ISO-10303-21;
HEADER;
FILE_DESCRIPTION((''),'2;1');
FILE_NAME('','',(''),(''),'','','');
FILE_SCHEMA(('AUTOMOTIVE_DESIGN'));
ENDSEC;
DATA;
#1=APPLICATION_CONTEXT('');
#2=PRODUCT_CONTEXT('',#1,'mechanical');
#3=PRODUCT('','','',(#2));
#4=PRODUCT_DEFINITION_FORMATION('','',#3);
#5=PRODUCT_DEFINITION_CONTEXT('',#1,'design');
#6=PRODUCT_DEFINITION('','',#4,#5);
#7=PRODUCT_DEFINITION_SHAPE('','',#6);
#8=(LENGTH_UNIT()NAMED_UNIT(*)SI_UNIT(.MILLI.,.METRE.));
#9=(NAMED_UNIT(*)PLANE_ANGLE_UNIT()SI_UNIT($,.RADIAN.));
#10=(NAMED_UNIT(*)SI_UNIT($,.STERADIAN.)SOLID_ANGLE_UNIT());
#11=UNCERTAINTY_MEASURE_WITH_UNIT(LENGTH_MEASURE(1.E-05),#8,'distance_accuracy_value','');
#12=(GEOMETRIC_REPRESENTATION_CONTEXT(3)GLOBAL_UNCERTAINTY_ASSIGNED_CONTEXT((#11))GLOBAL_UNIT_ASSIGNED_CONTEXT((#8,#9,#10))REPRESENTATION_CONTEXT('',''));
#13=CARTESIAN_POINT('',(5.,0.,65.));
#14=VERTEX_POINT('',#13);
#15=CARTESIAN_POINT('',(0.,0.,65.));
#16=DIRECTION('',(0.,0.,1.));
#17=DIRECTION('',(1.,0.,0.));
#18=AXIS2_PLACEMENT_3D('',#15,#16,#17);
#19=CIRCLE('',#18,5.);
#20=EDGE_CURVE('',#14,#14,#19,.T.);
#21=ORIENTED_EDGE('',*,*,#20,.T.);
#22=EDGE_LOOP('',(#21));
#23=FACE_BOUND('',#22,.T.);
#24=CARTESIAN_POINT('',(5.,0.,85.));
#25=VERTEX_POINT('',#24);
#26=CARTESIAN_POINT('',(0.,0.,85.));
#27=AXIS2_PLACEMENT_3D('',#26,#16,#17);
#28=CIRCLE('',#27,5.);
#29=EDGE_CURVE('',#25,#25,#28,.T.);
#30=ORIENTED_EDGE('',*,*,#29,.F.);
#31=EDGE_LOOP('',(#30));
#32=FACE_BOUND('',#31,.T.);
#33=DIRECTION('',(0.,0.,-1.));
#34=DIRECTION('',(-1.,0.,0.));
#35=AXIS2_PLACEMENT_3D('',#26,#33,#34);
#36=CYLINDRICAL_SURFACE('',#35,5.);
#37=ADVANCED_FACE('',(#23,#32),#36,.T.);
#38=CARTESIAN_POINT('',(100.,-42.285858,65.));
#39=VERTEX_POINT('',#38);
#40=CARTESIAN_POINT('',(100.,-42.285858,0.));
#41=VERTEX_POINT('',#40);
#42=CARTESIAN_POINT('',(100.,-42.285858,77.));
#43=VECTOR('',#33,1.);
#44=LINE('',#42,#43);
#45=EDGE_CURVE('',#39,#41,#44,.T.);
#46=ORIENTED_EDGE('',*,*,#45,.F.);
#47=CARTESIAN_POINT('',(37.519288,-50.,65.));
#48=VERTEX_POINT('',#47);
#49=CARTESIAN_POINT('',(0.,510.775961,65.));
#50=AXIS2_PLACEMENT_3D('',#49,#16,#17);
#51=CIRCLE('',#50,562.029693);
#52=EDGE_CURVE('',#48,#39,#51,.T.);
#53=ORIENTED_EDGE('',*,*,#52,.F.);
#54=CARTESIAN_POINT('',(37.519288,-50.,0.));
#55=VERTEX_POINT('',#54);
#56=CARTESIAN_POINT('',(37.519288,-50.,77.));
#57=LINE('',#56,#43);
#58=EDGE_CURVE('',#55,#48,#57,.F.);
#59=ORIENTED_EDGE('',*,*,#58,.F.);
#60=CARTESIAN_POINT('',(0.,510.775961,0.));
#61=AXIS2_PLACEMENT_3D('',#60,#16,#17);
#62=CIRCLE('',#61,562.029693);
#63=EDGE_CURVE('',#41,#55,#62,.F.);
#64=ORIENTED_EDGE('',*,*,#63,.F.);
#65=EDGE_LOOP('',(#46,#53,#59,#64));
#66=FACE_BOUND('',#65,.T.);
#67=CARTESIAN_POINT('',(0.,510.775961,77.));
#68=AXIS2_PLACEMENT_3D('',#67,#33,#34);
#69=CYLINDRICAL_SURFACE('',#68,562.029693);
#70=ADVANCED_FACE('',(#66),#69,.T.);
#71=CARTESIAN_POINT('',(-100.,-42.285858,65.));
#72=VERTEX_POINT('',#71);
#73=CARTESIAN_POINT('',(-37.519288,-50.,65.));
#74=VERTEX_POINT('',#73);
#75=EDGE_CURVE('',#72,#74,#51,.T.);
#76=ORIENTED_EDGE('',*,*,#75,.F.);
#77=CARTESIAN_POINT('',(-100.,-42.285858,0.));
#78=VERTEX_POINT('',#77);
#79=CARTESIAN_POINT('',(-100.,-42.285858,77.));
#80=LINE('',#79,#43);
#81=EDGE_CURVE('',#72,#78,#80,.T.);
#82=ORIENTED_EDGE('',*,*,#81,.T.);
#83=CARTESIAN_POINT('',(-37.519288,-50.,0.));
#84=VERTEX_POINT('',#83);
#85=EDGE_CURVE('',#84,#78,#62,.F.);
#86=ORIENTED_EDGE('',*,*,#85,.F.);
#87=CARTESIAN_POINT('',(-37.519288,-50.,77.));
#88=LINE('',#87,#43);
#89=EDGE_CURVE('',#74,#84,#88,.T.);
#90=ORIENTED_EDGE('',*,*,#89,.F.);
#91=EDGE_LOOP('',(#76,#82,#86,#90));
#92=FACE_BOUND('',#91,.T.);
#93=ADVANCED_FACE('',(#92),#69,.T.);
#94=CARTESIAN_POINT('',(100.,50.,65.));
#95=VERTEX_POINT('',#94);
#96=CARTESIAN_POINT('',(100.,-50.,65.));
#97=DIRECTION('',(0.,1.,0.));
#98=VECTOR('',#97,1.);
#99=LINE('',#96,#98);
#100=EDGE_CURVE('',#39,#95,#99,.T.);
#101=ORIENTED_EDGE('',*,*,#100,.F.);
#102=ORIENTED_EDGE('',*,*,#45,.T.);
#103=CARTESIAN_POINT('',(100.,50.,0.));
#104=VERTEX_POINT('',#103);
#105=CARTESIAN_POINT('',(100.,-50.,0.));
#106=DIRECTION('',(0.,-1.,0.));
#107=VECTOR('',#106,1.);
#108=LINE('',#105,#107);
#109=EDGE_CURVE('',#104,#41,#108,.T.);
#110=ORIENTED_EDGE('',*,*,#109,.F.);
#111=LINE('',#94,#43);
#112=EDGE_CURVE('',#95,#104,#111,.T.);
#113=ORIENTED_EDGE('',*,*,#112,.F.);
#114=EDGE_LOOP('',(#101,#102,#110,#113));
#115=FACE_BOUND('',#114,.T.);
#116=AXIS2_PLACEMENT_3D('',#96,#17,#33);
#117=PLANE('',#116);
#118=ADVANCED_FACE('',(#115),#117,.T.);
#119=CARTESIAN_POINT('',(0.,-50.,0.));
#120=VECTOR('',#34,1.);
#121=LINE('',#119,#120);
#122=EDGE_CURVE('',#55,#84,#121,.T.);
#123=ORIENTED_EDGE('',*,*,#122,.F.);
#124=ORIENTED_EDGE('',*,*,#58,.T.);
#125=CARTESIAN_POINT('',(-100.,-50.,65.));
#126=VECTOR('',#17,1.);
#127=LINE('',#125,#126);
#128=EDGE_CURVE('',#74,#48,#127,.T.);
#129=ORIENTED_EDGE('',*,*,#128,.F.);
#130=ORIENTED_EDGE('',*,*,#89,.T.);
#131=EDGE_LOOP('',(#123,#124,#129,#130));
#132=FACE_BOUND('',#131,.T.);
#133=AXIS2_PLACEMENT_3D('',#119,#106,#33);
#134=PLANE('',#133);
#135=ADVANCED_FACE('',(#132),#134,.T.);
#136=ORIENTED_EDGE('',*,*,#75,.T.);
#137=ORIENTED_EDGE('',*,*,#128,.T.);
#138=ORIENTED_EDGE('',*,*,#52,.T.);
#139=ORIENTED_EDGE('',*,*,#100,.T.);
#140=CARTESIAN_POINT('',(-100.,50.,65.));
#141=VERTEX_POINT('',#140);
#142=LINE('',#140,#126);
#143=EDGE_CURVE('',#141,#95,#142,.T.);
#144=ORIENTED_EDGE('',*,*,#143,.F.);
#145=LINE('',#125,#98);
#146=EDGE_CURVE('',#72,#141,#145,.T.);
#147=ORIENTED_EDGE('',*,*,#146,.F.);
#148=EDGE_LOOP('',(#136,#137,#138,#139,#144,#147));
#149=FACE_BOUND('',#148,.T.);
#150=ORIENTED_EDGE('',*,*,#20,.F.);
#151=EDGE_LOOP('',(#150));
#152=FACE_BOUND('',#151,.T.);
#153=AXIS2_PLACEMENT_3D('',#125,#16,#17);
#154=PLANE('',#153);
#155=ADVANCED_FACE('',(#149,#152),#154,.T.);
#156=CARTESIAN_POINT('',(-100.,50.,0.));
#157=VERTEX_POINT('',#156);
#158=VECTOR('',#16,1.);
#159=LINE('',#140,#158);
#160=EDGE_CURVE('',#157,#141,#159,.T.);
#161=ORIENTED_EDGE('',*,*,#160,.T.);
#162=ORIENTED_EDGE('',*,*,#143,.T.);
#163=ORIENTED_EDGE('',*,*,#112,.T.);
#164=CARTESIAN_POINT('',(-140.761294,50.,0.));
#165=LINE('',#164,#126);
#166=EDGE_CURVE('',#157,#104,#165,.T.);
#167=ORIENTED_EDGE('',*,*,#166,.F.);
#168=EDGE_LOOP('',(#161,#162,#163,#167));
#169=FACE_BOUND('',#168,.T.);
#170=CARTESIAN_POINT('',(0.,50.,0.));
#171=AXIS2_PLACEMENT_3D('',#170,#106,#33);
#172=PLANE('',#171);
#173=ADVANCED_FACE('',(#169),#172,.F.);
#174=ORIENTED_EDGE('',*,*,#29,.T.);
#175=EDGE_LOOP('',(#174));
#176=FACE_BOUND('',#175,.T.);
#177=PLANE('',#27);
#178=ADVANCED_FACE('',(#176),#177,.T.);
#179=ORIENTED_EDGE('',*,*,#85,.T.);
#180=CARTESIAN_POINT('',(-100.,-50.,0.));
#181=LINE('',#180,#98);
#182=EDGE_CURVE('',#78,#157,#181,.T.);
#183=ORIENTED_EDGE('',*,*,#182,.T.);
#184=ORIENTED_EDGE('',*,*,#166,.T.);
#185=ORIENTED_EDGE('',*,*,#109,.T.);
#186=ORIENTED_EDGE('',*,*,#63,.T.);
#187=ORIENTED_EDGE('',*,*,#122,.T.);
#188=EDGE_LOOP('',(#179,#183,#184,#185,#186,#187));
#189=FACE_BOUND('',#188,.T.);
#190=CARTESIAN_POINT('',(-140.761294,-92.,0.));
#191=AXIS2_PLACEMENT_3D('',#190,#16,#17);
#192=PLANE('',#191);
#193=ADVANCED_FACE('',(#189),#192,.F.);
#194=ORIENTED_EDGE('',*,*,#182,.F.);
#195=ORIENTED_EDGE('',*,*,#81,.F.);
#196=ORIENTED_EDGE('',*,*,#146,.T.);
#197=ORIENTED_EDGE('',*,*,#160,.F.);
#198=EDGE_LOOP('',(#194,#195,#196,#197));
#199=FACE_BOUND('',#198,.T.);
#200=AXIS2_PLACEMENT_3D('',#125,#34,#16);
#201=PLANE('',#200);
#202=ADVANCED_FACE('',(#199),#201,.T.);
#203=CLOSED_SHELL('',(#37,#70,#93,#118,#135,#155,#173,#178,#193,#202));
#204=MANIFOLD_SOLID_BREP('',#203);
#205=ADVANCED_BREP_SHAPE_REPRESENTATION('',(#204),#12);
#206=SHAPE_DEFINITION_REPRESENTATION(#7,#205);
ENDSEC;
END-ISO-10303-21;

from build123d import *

# Parameters (mm, degrees)
BOSS_EXTRUDE1_DEPTH      = 50
BOSS_EXTRUDE1_DEPTH_BACK = 50
SKETCH2_W                = 200
SKETCH2_H                = 130
SKETCH4_R                = 5
BOSS_EXTRUDE2_DEPTH      = 20
CUT_EXTRUDE1_DEPTH       = 142
SKETCH8_W                = 269.720161695
SKETCH8_H                = 76.695766259
CUT_EXTRUDE3_DEPTH       = 142


with BuildPart() as part:
    # Sketch2 → Boss-Extrude1 (new, two sides: drawn at the far end of the back side and taken through both)
    with BuildSketch(Plane(origin=(0, 0, 0), x_dir=(1, 0, 0), z_dir=(0, 1, 0)).offset(-BOSS_EXTRUDE1_DEPTH_BACK)):
        Rectangle(SKETCH2_W, SKETCH2_H)
    extrude(amount=BOSS_EXTRUDE1_DEPTH + BOSS_EXTRUDE1_DEPTH_BACK)

    # Sketch4 → Boss-Extrude2 (add)
    with BuildSketch(Plane.XY.offset(65)):
        Circle(SKETCH4_R)
    extrude(amount=BOSS_EXTRUDE2_DEPTH)

    # Sketch6 → Revolve1 (revolve)
    with BuildSketch(Plane.ZY.offset(100)):
        with BuildLine():
            Line((-35, -5), (-35, 45))
            ThreePointArc((-35, 45), (-10, 20), (-35, -5))
        make_face()
    revolve1 = revolve(axis=Axis((-100, -5, -35), (0, 1, 0)))

    # Mirror1: Revolve1 across plane
    add(revolve1.mirror(Plane(origin=(0, 0, 0), x_dir=(0, 0, 1), z_dir=(1, 0, 0))))

    # Sketch7 → Cut-Extrude1 (cut)
    with BuildSketch(Plane(origin=(0, 0, -65), x_dir=(-1, 0, 0), z_dir=(0, 0, -1))):
        with BuildLine():
            ThreePointArc((-37.519288456, -50), (-68.867740428, -47.018454326), (-100, -42.285857823))
            Line((-100, -42.285857823), (-100, -50))
            Line((-100, -50), (-37.519288456, -50))
        make_face()
        with BuildLine():
            Line((100, -50), (100, -42.285857823))
            ThreePointArc((100, -42.285857823), (68.867740428, -47.018454326), (37.519288456, -50))
            Line((37.519288456, -50), (100, -50))
        make_face()
    extrude(amount=-CUT_EXTRUDE1_DEPTH, mode=Mode.SUBTRACT)

    # Sketch8 → Cut-Extrude3 (cut)
    with BuildSketch(Plane(origin=(0, 50, 0), x_dir=(1, 0, 0), z_dir=(0, 1, 0))):
        with Locations((-5.901213318, 38.34788313)):
            Rectangle(SKETCH8_W, SKETCH8_H)
    extrude(amount=-CUT_EXTRUDE3_DEPTH, mode=Mode.SUBTRACT)


solid = part.part
